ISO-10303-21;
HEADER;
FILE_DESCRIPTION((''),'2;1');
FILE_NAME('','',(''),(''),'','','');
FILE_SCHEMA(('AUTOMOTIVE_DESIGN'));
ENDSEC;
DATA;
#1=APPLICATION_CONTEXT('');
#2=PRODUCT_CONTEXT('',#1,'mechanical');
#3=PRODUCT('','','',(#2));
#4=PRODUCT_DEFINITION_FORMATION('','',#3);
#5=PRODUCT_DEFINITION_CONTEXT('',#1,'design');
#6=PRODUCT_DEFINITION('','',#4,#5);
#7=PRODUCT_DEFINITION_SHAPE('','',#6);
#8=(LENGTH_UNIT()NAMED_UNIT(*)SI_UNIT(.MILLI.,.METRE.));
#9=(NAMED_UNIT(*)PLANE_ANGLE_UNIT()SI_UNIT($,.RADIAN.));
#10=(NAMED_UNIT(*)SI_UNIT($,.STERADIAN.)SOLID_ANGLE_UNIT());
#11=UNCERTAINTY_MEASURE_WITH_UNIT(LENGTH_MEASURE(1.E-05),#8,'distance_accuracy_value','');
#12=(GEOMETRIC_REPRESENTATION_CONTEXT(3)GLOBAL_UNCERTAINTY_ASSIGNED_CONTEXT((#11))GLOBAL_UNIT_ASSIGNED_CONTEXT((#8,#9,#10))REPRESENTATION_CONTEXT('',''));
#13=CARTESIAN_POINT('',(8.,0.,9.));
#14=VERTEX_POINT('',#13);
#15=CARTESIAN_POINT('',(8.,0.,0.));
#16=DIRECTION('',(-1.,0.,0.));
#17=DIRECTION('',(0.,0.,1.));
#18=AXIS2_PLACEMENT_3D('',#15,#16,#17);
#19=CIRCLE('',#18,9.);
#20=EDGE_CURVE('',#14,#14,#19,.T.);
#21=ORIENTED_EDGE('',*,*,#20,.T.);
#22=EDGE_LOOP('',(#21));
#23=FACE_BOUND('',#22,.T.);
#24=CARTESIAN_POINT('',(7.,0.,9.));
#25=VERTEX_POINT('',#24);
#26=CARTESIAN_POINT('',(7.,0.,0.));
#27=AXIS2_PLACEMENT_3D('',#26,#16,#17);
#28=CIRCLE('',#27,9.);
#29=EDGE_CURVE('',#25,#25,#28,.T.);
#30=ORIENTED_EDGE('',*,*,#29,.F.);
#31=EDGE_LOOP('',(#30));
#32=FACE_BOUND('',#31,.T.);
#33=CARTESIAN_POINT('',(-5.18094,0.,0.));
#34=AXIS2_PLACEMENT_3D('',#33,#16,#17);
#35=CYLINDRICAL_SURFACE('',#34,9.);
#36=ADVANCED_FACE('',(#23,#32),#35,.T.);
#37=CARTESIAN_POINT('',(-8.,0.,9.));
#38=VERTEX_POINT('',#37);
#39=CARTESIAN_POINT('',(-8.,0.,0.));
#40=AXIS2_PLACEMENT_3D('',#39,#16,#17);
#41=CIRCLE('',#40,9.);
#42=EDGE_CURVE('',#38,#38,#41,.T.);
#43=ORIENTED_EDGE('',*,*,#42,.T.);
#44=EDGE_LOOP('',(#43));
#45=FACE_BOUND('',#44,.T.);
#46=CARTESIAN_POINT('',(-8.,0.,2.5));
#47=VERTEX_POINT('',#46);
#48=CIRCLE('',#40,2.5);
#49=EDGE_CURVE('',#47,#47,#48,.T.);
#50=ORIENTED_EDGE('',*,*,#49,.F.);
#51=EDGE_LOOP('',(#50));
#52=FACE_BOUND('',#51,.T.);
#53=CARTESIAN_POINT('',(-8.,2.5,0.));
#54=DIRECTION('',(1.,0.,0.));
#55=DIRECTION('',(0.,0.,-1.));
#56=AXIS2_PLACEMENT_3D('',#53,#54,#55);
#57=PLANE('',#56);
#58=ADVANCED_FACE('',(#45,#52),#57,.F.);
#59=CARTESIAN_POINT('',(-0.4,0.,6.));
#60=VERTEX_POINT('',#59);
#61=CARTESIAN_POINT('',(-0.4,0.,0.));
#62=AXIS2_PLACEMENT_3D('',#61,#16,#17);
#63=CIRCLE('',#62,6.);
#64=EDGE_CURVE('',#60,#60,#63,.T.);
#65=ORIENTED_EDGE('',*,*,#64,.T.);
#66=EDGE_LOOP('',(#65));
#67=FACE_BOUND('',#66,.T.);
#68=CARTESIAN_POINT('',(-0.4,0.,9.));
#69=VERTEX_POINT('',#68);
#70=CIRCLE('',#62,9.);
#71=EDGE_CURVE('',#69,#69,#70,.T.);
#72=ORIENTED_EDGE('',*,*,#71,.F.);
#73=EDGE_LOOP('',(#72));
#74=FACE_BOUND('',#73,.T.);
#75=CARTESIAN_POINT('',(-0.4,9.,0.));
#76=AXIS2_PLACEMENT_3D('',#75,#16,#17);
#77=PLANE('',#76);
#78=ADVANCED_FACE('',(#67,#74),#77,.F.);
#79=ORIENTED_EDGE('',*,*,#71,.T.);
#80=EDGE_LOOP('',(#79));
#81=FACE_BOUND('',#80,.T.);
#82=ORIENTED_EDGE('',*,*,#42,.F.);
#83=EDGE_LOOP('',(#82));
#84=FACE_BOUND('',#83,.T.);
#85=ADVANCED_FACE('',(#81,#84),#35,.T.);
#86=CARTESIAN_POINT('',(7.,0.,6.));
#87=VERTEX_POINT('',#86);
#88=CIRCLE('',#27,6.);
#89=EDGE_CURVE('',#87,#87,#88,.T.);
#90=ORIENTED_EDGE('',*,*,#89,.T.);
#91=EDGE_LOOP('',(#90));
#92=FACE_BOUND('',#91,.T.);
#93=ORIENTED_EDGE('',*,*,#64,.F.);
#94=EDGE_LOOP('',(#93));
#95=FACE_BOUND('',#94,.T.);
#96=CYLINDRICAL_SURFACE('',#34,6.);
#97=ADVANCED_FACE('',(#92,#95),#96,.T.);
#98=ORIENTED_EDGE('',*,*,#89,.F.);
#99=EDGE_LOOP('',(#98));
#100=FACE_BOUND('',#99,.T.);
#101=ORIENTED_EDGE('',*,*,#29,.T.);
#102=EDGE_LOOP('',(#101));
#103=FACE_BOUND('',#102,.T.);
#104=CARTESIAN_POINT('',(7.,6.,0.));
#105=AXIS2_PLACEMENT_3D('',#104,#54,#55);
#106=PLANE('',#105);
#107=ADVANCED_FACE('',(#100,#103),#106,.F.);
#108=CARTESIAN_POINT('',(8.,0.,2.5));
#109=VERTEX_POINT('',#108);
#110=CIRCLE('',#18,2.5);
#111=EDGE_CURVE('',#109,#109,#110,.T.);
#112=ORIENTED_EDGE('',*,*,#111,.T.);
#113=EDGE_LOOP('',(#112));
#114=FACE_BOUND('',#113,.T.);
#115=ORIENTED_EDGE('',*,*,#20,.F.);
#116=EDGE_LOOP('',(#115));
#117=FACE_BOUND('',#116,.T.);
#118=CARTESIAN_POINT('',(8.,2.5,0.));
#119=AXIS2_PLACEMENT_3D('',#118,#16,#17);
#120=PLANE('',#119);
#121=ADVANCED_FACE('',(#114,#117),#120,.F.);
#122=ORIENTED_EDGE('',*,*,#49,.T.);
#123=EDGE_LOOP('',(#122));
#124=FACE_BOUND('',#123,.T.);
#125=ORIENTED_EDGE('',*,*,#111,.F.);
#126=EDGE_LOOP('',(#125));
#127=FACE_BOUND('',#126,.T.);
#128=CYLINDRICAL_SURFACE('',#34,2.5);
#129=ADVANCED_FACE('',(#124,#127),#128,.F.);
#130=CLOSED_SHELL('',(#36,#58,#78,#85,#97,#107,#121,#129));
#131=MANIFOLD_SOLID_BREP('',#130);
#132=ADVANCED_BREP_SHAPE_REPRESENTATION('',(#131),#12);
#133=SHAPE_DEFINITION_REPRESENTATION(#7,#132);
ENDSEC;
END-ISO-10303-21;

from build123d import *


with BuildPart() as part:
    # Çizim1 → Döndür1 (revolve)
    with BuildSketch(Plane.XY, mode=Mode.PRIVATE) as d_nd_r1_sk:
        Polygon((-0.4, 9), (-0.4, 6), (7, 6), (7, 9), (8, 9), (8, 2.5), (-8, 2.5), (-8, 9), align=None)
    revolve(d_nd_r1_sk.sketch.rotate(Axis((-5.180939652, 0, 0), (1, 0, 0)), 90), axis=Axis((-5.180939652, 0, 0), (1, 0, 0)))


solid = part.part
